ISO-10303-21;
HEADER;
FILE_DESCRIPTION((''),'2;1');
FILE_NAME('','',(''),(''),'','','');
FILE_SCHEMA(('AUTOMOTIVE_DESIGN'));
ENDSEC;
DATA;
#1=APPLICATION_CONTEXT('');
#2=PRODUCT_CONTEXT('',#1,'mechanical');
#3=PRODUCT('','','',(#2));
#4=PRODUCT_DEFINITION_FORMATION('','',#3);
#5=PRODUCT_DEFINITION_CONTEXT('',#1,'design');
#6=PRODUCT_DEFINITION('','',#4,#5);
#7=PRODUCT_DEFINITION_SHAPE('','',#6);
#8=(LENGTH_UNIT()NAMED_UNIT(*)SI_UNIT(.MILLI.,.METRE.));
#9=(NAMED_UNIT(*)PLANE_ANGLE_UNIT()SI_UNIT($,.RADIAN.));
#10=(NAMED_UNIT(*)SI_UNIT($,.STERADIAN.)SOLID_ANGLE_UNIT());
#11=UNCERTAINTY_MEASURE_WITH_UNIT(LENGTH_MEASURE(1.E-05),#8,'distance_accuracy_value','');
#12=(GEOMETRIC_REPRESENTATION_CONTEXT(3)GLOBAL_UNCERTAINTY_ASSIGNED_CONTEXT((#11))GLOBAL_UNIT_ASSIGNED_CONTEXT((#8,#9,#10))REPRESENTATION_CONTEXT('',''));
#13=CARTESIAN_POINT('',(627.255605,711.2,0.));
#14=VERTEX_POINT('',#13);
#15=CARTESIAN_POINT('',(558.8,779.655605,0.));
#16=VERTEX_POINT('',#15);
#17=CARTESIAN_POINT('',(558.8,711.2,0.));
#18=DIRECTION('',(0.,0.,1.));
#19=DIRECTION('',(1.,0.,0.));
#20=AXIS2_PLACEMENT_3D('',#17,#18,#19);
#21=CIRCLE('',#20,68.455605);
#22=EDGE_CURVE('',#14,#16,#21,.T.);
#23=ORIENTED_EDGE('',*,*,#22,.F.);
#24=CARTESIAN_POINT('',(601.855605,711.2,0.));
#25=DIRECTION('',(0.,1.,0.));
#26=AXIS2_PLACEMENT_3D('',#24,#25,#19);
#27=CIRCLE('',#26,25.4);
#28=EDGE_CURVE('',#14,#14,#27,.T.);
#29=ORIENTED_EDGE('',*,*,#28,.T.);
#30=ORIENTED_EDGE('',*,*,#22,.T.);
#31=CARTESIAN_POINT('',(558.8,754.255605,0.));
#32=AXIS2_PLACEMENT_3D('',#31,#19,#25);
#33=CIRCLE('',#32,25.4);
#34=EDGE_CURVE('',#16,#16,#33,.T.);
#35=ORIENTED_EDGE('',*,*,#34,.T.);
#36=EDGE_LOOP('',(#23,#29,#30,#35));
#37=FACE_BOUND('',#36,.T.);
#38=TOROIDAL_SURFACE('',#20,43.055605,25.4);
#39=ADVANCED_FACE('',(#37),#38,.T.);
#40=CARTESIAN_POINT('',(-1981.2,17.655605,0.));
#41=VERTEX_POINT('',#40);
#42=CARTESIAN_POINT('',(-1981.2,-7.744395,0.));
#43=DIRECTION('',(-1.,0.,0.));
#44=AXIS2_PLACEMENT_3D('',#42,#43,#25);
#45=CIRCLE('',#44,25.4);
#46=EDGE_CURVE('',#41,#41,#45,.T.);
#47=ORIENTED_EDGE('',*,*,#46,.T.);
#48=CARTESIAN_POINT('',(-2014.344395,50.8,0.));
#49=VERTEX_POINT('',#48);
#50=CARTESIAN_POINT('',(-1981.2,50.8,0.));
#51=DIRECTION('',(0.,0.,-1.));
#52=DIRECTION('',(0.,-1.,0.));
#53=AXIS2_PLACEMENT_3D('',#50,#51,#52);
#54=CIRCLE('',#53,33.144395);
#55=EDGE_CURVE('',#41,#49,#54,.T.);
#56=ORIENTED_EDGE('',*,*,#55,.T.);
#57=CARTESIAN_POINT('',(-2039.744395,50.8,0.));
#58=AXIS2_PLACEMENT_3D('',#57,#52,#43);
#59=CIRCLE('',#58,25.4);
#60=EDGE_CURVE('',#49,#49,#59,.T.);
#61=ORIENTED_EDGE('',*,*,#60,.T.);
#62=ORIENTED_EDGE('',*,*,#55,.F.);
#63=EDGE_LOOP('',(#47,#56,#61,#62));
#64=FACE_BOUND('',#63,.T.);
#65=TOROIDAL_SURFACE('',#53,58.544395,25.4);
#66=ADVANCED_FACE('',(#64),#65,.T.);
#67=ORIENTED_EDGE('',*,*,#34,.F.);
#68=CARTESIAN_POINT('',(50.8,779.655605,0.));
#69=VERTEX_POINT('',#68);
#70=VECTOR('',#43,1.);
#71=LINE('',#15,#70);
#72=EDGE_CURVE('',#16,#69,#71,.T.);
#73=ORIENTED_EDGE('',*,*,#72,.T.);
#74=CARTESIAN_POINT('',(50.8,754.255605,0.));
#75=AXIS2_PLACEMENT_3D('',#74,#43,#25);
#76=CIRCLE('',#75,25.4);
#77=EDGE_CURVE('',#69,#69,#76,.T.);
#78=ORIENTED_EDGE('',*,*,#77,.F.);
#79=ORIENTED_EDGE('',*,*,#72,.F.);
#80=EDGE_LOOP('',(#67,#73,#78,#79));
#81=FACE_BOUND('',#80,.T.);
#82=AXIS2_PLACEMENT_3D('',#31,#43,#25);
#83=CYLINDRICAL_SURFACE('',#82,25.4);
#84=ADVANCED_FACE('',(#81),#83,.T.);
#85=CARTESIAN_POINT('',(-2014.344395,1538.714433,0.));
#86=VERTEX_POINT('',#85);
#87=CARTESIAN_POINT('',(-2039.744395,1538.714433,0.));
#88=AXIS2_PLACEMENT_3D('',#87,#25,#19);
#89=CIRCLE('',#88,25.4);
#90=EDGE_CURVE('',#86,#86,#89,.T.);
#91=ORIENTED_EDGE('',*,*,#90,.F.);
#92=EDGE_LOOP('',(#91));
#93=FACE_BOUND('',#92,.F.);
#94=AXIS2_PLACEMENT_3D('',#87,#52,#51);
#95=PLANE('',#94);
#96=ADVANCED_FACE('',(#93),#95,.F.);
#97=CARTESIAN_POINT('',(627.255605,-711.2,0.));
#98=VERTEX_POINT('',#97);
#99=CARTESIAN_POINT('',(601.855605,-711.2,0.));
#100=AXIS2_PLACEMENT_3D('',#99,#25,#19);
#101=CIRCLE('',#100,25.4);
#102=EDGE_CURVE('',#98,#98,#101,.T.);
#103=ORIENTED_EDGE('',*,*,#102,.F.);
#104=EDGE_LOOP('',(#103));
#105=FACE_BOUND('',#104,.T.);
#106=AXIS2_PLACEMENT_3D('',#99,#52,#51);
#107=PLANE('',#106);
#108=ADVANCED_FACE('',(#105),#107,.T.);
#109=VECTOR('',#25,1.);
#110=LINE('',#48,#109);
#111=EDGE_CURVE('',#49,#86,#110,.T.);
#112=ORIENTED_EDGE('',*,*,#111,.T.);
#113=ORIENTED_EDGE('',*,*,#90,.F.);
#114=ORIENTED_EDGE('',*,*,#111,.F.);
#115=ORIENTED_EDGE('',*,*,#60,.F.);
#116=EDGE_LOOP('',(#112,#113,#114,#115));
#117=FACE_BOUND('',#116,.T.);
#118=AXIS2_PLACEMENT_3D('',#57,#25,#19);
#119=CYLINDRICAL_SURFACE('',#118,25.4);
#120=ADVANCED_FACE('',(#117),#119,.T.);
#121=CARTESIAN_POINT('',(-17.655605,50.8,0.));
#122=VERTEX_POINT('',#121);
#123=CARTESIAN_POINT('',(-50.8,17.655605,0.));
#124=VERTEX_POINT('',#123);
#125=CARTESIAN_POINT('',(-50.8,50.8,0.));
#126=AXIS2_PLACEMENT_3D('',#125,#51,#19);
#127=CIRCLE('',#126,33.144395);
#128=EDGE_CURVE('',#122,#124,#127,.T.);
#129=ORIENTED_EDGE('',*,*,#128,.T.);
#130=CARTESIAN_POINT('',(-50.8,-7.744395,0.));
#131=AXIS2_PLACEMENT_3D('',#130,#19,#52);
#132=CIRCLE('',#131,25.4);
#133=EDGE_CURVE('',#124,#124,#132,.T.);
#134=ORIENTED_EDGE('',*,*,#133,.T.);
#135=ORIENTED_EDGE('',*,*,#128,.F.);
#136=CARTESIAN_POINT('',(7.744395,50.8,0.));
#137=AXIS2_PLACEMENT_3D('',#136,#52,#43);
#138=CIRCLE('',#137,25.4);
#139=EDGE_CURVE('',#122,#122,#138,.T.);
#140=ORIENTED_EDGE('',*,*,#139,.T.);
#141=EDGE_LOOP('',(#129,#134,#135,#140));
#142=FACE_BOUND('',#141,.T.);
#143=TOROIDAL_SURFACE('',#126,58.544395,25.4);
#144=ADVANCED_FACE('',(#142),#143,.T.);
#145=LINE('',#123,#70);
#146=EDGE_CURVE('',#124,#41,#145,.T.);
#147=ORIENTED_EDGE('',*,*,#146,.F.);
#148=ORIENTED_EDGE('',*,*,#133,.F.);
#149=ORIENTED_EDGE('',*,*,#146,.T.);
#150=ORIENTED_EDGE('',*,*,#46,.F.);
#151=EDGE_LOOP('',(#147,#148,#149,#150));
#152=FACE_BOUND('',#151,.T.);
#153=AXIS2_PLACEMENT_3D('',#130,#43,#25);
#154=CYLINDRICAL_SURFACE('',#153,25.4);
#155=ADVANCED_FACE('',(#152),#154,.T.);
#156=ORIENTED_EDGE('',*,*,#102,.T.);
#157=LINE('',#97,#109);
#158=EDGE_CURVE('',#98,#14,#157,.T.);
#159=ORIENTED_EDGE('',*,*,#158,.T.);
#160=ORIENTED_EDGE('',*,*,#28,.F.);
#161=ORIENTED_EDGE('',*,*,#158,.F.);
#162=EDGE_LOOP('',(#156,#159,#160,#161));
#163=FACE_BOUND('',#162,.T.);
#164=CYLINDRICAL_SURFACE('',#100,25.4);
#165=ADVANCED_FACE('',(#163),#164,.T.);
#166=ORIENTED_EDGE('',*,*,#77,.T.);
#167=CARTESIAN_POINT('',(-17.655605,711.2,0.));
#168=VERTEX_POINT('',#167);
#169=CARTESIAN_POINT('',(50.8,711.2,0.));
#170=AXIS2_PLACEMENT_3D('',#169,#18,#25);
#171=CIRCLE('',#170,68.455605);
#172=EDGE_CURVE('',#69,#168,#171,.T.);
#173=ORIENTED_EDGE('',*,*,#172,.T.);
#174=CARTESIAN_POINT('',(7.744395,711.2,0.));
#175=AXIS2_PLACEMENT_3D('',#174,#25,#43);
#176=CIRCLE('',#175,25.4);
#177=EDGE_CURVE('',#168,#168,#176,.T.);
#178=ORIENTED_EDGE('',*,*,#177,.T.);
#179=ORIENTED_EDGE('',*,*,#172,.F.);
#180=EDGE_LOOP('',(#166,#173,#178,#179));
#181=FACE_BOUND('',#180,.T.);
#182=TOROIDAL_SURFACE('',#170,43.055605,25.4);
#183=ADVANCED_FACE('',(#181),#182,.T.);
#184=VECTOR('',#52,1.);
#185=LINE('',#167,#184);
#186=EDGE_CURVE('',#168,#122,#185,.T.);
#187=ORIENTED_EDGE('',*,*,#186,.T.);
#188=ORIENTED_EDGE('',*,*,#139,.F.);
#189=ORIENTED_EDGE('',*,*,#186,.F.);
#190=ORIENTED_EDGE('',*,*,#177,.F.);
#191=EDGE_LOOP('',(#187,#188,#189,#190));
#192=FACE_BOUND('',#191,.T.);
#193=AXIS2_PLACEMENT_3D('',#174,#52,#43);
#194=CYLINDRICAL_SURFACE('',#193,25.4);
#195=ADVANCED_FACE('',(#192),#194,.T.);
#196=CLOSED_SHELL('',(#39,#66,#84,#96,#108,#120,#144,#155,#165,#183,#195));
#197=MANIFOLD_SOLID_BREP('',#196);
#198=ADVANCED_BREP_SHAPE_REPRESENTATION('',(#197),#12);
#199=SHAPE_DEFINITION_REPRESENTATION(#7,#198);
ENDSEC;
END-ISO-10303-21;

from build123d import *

# Parameters (mm, degrees)
F2_R = 25.4


with BuildPart() as f3:
    # F3: sweep along a path in F0
    with BuildLine(Plane.XY) as f3_path:
        Line((609.6, -711.2), (609.6, 711.2))
        ThreePointArc((609.6, 711.2), (594.7210244843, 747.1210244843), (558.8, 762))
        Line((558.8, 762), (50.8, 762))
        ThreePointArc((50.8, 762), (14.8789755157, 747.1210244843), (0, 711.2))
        Line((0, 711.2), (0, 50.8))
        ThreePointArc((0, 50.8), (-14.8789755157, 14.8789755157), (-50.8, 0))
        Line((-50.8, 0), (-1981.2, 0))
        ThreePointArc((-1981.2, 0), (-2017.1210244843, 14.8789755157), (-2032, 50.8))
        Line((-2032, 50.8), (-2032, 1538.7144329799))
    # F2 (on line) → F3 (sweep)
    with BuildSketch(Plane.XZ.offset(711.2)):
        with Locations((601.8556048433, 0)):
            Circle(F2_R)
    sweep(path=f3_path.line)


solid = f3.part
